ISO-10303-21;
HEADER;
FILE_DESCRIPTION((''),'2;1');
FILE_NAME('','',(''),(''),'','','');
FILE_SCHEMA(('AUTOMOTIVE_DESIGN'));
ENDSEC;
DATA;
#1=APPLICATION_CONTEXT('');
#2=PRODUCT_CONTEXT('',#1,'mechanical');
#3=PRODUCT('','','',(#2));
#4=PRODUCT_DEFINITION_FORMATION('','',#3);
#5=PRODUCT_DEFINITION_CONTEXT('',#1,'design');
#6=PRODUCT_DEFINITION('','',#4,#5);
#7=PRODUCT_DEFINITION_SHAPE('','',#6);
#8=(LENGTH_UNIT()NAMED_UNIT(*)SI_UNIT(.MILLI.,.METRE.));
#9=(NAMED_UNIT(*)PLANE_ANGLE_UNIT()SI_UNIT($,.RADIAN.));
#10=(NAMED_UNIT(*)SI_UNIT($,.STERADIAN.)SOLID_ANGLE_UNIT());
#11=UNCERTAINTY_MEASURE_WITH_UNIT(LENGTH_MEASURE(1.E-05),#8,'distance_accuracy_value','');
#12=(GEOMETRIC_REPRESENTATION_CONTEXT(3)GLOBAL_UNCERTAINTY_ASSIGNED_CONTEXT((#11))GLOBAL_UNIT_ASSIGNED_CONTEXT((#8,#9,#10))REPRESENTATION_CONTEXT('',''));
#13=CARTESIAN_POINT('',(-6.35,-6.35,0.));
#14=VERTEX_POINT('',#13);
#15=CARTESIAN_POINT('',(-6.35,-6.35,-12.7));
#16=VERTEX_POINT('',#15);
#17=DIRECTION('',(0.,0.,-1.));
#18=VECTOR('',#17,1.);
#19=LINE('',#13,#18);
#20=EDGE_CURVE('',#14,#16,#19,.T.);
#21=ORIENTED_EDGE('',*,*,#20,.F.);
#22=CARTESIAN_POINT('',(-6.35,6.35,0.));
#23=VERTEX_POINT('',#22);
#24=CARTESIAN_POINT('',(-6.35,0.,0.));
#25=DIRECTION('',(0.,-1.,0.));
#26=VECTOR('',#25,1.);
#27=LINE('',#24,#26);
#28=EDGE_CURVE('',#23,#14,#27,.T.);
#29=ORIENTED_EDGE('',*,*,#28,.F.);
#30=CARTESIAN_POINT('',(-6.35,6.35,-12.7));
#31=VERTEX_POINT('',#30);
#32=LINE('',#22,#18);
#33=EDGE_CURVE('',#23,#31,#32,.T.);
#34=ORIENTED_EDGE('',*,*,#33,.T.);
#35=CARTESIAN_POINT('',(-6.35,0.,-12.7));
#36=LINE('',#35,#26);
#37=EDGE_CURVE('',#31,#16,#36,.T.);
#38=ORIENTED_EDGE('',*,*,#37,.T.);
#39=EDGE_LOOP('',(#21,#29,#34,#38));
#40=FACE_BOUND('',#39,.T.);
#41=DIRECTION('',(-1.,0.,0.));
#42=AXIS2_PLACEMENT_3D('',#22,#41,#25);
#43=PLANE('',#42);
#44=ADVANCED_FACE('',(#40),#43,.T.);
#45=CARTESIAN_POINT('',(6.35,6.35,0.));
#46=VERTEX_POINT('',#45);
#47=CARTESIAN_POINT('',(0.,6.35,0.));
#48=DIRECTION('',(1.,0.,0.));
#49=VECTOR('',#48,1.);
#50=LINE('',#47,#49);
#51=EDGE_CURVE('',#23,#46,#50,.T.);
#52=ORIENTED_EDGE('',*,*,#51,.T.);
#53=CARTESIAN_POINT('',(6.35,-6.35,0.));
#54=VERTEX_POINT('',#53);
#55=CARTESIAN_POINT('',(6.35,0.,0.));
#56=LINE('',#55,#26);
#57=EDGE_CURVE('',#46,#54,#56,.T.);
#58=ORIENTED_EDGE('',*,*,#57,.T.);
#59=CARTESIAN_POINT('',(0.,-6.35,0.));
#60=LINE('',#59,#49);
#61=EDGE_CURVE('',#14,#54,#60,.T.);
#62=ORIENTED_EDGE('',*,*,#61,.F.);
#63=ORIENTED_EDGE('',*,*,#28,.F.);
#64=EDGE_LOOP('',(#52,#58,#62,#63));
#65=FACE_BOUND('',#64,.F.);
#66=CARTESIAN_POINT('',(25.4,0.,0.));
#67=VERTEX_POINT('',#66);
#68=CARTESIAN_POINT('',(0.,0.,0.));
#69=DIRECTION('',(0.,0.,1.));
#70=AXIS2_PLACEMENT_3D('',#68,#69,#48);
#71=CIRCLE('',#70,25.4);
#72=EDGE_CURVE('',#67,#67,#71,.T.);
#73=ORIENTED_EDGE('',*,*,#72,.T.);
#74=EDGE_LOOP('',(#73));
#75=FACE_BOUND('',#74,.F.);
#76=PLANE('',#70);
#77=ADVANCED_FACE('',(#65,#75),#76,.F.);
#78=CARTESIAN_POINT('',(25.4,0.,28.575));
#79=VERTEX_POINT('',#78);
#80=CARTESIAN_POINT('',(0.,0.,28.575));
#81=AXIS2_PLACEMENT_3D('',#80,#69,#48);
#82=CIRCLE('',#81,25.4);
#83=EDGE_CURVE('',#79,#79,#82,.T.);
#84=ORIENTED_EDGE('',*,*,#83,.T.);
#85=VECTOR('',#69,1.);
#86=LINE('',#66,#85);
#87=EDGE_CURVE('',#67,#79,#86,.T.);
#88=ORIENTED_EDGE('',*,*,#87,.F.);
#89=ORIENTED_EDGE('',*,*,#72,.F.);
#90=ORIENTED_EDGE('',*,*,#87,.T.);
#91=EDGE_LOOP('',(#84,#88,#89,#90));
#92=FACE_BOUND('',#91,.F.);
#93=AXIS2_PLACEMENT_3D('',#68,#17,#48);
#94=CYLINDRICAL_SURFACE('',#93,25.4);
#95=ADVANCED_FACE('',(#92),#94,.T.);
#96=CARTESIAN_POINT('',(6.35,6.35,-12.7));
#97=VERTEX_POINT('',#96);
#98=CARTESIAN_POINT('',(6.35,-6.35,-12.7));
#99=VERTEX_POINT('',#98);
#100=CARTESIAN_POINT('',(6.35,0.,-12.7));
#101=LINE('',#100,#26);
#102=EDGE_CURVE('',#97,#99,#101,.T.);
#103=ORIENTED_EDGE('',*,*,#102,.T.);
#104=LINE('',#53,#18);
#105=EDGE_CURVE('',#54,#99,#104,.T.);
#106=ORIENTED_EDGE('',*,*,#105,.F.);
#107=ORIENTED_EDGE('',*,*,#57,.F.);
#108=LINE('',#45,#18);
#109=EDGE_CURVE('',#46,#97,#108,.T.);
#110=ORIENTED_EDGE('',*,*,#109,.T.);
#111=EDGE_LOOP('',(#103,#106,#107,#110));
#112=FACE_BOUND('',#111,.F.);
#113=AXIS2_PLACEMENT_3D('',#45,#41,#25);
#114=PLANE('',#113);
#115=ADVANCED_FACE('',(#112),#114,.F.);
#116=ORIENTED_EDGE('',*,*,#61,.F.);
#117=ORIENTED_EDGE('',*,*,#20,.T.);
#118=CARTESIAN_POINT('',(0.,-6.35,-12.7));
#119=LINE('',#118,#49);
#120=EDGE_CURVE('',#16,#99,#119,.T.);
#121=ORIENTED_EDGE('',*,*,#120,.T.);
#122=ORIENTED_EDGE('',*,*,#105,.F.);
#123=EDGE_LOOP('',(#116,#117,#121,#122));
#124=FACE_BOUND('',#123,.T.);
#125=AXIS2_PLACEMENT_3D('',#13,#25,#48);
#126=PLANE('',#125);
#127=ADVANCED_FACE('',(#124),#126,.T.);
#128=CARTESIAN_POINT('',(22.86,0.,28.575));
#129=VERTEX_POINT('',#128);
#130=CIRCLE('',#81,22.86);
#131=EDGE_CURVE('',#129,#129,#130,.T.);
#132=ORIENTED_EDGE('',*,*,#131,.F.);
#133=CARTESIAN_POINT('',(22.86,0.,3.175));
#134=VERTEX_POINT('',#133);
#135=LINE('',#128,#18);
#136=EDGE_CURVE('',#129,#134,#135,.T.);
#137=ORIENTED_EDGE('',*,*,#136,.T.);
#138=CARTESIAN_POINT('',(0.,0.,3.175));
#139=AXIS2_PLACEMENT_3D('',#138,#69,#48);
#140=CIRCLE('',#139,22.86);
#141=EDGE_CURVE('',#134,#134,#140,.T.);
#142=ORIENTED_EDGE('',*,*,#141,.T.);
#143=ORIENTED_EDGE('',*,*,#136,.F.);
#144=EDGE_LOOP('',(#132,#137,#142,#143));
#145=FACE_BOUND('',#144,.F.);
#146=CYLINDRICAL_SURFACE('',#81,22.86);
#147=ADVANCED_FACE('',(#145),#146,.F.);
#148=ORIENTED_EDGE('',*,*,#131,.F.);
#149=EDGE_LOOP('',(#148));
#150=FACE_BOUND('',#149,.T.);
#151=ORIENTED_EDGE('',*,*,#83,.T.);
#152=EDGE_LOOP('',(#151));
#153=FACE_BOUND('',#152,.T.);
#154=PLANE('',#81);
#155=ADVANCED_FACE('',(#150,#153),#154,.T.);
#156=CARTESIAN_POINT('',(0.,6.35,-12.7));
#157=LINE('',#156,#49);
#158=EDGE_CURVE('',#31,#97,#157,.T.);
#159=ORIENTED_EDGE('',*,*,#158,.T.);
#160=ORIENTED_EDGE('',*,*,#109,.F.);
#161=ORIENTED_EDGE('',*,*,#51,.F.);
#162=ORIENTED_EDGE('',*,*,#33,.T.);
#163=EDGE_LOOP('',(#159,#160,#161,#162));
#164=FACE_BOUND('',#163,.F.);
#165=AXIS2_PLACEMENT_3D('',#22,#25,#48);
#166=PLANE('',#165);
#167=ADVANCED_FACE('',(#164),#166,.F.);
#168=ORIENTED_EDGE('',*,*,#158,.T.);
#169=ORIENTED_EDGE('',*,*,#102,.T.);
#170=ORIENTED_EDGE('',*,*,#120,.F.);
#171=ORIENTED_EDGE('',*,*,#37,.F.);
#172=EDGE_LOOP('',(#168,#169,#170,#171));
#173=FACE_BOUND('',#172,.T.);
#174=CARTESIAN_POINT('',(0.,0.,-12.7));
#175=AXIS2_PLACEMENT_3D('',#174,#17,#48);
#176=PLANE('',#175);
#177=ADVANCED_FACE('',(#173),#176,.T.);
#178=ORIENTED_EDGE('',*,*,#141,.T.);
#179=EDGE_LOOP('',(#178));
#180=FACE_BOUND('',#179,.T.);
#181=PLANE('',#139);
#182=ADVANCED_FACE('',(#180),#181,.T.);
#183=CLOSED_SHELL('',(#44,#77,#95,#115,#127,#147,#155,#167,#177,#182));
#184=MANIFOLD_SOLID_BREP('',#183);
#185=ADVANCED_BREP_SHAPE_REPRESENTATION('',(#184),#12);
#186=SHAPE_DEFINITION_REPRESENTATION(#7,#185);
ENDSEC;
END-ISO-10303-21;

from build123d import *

# Parameters (mm, degrees)
F0_R     = 25.4
F1_DEPTH = 28.575
F2_R     = 22.86
F3_DEPTH = 25.4
F4_W     = 12.7
F4_H     = 12.7
F5_DEPTH = 12.7


with BuildPart() as f1:
    # F0 (on Top) → F1 (new body)
    with BuildSketch(Plane.XY):
        Circle(F0_R)
    extrude(amount=F1_DEPTH)

    # F2 (on face) → F3 (cut)
    with BuildSketch(Plane.XY.offset(28.575)):
        Circle(F2_R)
    extrude(amount=-F3_DEPTH, mode=Mode.SUBTRACT)

    # F4 (on face) → F5 (join)
    with BuildSketch(Plane(origin=(0, 0, 0), x_dir=(1, 0, 0), z_dir=(0, 0, -1))):
        Rectangle(F4_W, F4_H)
    extrude(amount=F5_DEPTH)


solid = f1.part
